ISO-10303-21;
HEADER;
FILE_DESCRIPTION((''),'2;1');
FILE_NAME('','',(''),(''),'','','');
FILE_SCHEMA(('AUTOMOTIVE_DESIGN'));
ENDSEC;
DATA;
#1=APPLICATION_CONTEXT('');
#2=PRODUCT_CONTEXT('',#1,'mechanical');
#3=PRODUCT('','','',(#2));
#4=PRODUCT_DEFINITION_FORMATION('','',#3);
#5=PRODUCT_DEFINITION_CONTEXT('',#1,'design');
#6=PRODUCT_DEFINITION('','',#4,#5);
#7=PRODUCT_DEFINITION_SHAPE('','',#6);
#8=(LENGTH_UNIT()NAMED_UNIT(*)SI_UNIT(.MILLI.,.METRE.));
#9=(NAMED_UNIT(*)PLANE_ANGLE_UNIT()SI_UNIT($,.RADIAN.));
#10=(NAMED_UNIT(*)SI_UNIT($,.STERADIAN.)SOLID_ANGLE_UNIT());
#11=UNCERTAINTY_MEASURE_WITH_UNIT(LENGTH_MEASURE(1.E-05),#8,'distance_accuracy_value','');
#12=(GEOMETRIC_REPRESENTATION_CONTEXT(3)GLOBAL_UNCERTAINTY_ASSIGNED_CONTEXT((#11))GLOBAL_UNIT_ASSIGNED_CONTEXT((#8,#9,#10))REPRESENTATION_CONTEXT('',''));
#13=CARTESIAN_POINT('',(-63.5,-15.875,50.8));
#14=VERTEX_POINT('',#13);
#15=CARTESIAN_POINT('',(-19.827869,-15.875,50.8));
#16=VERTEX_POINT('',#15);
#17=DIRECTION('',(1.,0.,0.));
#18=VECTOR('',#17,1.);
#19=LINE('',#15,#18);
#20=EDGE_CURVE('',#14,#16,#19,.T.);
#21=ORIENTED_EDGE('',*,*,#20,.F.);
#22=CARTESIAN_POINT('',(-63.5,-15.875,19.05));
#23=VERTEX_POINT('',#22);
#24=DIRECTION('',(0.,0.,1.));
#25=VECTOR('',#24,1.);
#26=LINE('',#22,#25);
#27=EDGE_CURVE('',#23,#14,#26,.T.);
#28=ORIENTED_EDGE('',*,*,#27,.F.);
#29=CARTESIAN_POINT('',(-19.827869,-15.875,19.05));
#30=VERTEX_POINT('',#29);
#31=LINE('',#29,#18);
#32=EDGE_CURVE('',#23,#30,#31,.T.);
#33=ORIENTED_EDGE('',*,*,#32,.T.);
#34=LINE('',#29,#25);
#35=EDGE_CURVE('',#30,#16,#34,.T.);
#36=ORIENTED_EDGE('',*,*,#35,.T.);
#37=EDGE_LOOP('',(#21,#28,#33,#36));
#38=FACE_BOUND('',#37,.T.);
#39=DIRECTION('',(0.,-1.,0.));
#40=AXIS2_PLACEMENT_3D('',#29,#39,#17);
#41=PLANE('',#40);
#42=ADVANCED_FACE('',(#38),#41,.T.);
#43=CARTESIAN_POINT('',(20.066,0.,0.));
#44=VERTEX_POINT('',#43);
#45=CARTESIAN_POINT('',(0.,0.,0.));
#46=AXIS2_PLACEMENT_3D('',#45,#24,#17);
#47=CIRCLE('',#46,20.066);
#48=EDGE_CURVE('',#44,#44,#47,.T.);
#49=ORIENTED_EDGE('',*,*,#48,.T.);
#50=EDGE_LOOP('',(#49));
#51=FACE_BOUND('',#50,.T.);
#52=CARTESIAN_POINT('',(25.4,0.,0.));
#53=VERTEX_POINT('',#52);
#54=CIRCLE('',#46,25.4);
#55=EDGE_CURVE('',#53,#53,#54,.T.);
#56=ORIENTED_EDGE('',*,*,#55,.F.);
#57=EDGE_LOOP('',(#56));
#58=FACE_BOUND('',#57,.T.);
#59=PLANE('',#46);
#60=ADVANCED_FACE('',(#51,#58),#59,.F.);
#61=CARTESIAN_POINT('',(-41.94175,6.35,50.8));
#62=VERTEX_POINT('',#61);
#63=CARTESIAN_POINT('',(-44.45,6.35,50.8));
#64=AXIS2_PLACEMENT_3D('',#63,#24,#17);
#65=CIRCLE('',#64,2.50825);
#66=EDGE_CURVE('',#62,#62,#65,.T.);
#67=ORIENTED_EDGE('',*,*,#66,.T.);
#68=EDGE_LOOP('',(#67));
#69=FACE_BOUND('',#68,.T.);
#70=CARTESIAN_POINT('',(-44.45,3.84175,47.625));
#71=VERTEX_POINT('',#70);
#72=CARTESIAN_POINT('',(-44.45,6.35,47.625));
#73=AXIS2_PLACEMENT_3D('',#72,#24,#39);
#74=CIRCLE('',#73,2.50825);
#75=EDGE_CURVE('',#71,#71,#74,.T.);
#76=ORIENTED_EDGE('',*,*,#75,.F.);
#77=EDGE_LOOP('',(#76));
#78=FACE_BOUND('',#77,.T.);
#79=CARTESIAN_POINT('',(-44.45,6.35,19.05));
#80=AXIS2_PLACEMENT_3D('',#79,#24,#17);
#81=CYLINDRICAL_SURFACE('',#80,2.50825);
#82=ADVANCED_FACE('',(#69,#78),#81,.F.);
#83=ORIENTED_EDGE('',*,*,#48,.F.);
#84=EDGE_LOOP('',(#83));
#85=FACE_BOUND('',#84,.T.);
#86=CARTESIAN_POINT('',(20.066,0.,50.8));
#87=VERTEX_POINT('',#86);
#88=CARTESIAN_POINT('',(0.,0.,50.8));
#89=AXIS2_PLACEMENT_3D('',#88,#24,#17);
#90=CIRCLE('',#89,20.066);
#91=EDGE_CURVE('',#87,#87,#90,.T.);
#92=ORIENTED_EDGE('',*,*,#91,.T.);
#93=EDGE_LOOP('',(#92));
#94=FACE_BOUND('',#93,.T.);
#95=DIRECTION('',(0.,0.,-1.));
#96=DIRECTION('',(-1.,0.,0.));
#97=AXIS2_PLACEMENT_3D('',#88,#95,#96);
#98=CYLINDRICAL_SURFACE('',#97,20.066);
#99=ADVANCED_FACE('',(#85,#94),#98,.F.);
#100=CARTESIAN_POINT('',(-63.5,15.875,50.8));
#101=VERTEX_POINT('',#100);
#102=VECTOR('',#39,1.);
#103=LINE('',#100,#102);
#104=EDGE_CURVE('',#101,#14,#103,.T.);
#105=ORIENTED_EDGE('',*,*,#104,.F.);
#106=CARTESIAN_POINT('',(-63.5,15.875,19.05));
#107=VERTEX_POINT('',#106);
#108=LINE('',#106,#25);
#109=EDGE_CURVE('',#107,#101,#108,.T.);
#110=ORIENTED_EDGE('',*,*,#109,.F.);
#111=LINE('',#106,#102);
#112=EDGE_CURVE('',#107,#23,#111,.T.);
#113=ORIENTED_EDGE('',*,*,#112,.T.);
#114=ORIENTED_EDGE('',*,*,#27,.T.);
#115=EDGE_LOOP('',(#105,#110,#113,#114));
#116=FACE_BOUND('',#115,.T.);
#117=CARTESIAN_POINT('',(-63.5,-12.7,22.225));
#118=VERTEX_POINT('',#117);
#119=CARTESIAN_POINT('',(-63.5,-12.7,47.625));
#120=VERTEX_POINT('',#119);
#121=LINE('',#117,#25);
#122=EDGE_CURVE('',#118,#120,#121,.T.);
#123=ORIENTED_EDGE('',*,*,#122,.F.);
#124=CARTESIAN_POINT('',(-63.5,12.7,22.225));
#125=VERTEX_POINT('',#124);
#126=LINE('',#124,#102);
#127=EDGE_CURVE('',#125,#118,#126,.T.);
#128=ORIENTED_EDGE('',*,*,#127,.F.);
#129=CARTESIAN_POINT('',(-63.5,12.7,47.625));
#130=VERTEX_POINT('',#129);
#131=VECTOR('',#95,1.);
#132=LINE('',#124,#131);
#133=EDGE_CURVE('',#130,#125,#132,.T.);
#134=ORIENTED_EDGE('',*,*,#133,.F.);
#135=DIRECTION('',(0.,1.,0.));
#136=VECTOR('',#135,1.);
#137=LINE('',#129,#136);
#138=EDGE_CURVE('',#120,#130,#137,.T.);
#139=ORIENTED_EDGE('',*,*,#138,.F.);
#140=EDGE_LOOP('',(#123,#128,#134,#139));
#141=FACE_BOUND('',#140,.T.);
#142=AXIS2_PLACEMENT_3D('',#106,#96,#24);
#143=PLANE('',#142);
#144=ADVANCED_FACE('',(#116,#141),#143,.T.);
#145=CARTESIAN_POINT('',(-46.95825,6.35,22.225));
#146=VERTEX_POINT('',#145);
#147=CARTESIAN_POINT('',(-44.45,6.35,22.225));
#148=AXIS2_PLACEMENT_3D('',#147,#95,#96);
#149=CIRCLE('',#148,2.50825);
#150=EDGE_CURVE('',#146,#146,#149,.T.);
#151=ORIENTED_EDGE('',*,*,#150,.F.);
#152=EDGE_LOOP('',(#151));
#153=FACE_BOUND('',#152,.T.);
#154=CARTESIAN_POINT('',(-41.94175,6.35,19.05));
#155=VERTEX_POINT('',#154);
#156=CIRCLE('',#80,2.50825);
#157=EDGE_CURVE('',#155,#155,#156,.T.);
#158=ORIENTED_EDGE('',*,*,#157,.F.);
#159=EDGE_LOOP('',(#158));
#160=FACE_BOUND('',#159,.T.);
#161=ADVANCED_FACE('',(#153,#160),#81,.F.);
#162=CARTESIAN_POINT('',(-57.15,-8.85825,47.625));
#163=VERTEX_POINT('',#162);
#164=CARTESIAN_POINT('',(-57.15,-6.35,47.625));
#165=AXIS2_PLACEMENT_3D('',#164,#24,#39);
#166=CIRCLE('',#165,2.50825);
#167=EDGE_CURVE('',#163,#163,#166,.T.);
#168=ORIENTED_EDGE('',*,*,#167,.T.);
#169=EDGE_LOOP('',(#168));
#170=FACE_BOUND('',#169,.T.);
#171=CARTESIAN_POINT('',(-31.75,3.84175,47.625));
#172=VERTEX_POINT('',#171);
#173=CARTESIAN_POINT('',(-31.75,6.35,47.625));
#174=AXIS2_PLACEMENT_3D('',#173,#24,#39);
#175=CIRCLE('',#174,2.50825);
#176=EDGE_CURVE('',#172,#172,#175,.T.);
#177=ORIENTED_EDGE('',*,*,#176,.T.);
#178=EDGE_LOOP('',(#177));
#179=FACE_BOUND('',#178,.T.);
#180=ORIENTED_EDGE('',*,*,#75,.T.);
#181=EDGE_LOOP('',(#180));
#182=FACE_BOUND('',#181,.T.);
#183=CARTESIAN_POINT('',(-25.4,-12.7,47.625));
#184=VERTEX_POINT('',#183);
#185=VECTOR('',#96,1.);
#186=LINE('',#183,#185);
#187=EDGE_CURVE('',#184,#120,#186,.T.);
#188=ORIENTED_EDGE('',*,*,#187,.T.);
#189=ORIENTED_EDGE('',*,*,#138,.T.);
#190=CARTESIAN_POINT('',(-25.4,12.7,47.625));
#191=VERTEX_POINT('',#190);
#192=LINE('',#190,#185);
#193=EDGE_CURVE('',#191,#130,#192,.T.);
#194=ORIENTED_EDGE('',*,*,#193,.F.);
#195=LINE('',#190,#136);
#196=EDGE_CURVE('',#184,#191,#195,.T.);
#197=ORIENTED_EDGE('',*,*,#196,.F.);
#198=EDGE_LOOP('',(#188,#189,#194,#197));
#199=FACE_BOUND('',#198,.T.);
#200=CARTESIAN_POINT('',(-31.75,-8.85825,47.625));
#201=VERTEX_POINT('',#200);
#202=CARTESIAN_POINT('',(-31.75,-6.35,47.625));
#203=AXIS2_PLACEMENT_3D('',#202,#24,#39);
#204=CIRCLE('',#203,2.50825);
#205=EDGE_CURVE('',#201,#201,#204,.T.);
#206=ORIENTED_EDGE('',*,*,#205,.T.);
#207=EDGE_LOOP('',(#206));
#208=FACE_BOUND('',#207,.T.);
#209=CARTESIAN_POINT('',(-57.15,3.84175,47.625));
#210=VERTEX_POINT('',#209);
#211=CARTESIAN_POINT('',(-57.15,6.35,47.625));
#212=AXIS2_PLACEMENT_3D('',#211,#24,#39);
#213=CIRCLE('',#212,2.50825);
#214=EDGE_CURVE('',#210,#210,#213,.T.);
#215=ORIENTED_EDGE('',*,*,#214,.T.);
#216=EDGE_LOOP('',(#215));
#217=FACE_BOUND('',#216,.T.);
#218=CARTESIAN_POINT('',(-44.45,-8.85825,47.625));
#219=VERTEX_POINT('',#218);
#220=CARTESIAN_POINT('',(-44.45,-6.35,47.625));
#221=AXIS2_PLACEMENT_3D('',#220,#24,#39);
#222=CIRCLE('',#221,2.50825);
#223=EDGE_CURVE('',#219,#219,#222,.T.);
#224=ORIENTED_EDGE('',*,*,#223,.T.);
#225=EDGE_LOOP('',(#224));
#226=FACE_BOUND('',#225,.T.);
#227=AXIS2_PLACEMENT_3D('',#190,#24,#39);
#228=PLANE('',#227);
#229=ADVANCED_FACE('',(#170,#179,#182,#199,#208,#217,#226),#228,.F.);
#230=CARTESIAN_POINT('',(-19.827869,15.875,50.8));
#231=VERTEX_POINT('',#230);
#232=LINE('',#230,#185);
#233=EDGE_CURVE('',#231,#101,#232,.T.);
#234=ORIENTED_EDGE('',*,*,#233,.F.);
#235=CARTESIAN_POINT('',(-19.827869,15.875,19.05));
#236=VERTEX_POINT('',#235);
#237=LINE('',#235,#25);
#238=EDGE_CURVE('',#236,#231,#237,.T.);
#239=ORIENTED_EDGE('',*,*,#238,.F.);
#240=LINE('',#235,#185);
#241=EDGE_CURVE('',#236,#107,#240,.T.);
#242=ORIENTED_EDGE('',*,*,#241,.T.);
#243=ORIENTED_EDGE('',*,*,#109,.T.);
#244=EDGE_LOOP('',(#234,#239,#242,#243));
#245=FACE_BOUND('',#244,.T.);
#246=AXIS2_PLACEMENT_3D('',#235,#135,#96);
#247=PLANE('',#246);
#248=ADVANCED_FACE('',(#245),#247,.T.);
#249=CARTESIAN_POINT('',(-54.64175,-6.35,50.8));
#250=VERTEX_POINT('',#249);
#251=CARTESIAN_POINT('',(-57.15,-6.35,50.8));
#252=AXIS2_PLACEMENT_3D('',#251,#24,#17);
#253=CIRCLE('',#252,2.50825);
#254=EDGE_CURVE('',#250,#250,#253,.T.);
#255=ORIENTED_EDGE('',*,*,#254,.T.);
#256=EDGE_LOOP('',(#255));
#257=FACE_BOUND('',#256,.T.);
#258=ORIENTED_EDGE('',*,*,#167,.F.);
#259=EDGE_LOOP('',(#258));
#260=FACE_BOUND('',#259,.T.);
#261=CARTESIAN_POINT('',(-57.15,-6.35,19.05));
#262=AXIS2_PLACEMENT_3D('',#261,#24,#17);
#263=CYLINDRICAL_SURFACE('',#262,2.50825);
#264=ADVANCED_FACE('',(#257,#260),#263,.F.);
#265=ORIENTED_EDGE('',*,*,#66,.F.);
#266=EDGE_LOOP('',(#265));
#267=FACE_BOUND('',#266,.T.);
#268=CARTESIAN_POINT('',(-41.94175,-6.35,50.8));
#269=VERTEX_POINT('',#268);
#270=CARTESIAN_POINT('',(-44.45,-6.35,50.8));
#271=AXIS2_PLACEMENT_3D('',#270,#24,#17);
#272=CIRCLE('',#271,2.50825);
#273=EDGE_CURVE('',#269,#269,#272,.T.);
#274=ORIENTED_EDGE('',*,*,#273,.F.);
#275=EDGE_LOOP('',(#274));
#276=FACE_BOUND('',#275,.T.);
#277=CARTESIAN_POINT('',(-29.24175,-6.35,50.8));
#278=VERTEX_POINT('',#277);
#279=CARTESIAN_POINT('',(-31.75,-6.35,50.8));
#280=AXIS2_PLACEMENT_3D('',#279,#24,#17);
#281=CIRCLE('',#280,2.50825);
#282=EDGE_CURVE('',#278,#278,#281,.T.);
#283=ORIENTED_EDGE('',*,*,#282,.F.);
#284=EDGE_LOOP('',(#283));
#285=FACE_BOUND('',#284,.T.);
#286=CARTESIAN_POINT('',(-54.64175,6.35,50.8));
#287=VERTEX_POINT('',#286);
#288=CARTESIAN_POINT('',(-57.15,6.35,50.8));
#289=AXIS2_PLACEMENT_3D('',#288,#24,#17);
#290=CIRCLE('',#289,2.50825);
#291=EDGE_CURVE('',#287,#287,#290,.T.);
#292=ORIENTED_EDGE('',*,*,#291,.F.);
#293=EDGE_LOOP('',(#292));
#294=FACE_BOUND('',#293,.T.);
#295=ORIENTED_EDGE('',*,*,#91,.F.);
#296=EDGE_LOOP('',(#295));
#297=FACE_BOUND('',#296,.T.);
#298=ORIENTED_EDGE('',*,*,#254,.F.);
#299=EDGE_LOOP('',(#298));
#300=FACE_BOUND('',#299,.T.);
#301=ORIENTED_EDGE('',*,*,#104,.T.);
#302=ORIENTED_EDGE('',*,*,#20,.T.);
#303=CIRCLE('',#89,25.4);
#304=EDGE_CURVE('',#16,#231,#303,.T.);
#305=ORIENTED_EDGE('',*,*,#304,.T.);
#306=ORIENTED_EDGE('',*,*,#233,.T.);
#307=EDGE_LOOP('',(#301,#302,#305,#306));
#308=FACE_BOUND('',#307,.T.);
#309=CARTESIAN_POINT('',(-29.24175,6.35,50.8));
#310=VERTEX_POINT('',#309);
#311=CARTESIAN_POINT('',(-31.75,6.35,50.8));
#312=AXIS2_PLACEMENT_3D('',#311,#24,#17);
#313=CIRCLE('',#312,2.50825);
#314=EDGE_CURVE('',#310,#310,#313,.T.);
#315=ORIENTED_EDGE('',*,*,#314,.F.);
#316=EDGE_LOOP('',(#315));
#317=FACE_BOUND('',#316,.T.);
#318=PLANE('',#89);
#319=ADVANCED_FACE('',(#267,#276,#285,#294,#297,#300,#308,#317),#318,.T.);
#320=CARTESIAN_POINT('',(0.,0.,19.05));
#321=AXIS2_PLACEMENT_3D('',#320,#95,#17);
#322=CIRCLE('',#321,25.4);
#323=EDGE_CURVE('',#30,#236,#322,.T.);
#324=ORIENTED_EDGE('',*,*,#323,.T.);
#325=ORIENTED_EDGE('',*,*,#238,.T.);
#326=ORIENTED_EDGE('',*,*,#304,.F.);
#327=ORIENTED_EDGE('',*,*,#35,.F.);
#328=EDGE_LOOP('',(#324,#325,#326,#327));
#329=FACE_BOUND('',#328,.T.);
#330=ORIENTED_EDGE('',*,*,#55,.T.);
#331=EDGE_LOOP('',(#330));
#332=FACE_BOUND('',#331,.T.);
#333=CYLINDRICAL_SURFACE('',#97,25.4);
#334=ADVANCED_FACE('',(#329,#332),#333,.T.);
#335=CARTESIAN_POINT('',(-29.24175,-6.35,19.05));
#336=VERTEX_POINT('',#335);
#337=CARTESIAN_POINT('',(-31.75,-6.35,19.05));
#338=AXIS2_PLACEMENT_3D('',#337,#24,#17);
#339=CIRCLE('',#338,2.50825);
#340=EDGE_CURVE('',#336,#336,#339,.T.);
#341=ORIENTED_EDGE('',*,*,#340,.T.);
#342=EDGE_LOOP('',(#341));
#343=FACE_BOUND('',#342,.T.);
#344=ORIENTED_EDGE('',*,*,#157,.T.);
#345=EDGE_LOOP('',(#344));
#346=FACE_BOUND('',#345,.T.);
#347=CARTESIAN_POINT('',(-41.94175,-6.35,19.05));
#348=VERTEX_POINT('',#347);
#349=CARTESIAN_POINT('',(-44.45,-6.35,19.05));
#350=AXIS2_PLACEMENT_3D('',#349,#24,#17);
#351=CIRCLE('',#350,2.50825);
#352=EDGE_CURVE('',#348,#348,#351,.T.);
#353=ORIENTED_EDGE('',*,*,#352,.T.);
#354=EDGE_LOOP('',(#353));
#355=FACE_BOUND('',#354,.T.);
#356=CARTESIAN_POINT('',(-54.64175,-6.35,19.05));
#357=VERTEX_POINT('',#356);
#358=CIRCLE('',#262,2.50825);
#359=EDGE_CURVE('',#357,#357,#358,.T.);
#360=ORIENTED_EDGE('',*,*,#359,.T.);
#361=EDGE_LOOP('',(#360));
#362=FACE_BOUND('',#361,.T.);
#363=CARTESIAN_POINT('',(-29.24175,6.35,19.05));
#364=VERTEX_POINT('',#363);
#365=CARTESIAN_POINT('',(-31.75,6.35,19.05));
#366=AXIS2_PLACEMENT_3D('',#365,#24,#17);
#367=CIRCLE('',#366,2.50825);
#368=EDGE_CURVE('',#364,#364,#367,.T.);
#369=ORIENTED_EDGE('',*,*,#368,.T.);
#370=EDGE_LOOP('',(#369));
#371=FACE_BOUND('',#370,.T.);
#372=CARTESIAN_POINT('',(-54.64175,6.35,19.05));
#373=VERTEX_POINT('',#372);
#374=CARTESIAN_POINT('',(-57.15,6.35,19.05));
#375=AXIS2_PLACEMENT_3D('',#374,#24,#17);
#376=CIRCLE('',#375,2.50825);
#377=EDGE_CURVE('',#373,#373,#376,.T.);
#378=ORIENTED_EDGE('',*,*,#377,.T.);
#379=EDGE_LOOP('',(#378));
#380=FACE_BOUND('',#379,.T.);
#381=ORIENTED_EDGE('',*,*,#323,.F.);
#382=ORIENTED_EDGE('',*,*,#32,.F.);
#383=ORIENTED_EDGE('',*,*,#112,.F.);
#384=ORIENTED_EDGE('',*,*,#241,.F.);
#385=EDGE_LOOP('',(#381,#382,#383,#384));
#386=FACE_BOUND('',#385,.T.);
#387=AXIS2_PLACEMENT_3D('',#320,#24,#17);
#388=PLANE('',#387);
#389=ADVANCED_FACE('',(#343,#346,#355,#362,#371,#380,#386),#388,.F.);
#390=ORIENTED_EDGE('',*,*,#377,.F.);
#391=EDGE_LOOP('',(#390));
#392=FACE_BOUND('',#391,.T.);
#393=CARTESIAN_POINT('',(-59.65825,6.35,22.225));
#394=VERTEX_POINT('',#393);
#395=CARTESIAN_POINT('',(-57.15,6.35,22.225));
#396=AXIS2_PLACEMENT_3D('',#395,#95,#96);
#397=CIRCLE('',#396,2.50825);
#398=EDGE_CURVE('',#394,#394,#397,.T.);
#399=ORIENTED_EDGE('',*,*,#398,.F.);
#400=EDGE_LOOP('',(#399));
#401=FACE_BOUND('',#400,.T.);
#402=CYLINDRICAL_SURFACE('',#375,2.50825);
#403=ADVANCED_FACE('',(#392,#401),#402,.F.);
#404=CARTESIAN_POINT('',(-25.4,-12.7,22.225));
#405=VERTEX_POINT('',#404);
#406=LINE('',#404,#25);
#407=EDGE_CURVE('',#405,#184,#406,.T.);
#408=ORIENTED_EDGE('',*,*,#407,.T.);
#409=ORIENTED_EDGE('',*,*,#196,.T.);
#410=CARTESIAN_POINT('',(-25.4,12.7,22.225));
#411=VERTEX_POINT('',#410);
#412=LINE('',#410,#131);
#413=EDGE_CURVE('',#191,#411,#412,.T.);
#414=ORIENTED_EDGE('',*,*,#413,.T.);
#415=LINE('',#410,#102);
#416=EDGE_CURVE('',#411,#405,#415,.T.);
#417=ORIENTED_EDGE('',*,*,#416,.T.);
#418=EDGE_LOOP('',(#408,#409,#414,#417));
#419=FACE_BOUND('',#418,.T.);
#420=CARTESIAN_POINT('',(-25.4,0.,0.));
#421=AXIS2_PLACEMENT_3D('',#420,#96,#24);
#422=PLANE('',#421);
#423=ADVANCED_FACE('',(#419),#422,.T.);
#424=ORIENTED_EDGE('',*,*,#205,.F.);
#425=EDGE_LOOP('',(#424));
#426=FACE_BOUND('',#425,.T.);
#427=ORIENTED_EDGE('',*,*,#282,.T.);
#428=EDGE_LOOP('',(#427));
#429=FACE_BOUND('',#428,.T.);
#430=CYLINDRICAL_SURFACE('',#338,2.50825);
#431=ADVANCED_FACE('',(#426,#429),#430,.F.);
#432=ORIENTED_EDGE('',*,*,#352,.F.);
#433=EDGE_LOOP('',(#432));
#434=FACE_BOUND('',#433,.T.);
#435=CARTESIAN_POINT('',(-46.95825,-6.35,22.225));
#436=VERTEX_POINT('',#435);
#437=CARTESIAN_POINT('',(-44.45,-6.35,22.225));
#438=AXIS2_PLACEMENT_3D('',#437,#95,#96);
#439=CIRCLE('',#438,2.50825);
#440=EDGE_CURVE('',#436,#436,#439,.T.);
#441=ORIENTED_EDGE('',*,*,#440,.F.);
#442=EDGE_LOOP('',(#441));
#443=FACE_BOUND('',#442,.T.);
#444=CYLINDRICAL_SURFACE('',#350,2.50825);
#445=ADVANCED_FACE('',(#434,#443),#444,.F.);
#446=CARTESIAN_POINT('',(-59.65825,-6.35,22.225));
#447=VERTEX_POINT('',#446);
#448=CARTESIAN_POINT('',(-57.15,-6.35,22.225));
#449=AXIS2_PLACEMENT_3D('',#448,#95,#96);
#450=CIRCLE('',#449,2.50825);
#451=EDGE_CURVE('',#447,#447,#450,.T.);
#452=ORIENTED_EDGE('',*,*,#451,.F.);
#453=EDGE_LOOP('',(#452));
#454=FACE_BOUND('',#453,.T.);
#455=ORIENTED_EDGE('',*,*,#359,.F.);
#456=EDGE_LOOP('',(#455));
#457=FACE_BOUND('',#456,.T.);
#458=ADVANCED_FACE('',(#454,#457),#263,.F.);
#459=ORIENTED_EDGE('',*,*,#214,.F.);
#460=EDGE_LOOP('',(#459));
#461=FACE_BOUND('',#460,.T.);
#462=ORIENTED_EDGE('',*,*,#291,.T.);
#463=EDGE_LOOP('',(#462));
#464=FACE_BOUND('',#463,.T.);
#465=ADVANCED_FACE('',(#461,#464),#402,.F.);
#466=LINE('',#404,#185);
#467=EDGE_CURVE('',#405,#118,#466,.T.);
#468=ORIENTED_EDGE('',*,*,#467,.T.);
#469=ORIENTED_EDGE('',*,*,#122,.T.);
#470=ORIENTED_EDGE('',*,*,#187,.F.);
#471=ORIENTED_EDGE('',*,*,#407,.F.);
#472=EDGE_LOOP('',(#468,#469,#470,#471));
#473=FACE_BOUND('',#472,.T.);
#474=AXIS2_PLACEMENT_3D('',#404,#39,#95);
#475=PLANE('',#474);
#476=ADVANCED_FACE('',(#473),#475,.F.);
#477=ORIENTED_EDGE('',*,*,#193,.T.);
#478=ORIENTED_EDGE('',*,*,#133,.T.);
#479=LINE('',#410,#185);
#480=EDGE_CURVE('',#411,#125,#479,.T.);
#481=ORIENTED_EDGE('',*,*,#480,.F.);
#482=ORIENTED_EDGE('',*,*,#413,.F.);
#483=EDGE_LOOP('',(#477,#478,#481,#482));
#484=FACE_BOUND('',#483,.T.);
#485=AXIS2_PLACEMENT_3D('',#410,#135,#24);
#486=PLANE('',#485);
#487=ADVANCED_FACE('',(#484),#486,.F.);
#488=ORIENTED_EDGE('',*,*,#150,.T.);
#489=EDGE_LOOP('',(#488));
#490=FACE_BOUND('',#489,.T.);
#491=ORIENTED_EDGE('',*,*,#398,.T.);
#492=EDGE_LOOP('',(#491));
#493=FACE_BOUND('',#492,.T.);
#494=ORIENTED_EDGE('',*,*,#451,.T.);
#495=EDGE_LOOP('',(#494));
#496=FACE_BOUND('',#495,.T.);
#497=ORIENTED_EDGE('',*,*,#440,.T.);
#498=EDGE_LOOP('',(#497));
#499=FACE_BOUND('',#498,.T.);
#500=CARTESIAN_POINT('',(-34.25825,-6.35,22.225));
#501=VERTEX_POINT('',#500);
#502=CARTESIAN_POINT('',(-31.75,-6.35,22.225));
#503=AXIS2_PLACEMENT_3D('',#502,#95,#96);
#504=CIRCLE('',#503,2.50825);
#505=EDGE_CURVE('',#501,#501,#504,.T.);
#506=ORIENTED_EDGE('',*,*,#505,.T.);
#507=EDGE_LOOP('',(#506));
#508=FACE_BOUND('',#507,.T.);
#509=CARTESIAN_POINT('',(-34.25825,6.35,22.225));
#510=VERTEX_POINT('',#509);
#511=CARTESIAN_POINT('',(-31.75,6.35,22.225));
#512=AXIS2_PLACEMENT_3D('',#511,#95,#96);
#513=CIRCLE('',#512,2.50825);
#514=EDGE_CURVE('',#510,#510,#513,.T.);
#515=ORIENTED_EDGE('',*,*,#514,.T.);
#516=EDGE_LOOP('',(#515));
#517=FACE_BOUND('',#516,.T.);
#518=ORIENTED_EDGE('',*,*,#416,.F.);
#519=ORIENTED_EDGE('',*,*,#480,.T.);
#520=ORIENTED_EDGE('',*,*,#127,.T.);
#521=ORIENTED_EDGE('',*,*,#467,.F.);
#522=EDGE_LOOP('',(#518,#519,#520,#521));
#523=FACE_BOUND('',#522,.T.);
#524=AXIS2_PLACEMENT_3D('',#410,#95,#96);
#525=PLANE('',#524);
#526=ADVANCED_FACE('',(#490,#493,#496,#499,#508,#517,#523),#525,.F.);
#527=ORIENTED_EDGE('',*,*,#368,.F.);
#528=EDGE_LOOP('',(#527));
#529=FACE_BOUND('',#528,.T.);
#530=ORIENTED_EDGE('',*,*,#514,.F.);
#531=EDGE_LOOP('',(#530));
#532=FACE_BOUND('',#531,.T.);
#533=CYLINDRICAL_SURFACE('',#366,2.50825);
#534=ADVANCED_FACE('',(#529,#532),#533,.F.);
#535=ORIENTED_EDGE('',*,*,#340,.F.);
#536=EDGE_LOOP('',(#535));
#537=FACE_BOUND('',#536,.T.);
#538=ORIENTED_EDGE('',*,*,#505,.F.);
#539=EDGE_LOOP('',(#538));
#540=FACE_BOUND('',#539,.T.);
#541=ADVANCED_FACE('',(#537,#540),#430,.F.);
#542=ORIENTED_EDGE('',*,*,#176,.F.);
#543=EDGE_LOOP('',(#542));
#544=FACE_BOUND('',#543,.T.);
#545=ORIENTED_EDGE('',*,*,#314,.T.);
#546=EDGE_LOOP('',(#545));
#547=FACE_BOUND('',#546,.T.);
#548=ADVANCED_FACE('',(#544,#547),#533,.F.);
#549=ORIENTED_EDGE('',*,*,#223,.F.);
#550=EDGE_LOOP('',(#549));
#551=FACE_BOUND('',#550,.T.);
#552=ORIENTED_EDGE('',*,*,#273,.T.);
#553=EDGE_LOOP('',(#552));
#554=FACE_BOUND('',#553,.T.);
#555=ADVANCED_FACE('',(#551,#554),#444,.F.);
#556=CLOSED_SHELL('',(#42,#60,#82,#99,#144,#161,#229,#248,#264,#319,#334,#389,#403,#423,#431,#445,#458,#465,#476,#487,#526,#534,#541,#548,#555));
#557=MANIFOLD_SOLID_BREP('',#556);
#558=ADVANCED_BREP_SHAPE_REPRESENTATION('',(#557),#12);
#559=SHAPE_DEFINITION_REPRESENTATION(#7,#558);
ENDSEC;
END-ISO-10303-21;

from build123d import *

# Parameters (mm, degrees)
SKETCH1_R           = 25.4
SKETCH1_R_2         = 20.066
BOSS_EXTRUDE1_DEPTH = 50.8
BOSS_EXTRUDE2_DEPTH = 31.75
SKETCH3_W           = 25.4
SKETCH3_H           = 25.4
CUT_EXTRUDE1_DEPTH  = 38.1
SKETCH4_R           = 2.50825
CUT_EXTRUDE2_DEPTH  = 31.75
LPATTERN1_COUNT     = 3
LPATTERN1_PITCH     = 12.7


with BuildPart() as part:
    # Sketch1 → Boss-Extrude1 (new body)
    with BuildSketch(Plane.XY):
        Circle(SKETCH1_R)
        Circle(SKETCH1_R_2, mode=Mode.SUBTRACT)
    extrude(amount=BOSS_EXTRUDE1_DEPTH)

    # Sketch2 → Boss-Extrude2 (add)
    with BuildSketch(Plane.XY.offset(50.8)):
        with BuildLine():
            Line((-19.827868645, 15.875), (-63.5, 15.875))
            Line((-63.5, 15.875), (-63.5, -15.875))
            Line((-63.5, -15.875), (-19.827868645, -15.875))
            ThreePointArc((-19.827868645, -15.875), (-25.4, 0), (-19.827868645, 15.875))
        make_face()
    extrude(amount=-BOSS_EXTRUDE2_DEPTH)

    # Sketch3 → Cut-Extrude1 (cut)
    with BuildSketch(Plane.ZY.offset(63.5)):
        with Locations((34.925, 0)):
            Rectangle(SKETCH3_W, SKETCH3_H)
    extrude(amount=-CUT_EXTRUDE1_DEPTH, mode=Mode.SUBTRACT)

    # Sketch4 → Cut-Extrude2 (cut)
    with BuildSketch(Plane.XY.offset(50.8)):
        with Locations((-57.15, 6.35)):
            Circle(SKETCH4_R)
        with Locations((-57.15, -6.35)):
            Circle(SKETCH4_R)
    cut_extrude2 = extrude(amount=-CUT_EXTRUDE2_DEPTH, mode=Mode.SUBTRACT)

    # LPattern1: Cut-Extrude2 ×3
    with Locations(*[(i * LPATTERN1_PITCH, 0, 0) for i in range(1, LPATTERN1_COUNT)]):
        add(cut_extrude2, mode=Mode.SUBTRACT)


solid = part.part
